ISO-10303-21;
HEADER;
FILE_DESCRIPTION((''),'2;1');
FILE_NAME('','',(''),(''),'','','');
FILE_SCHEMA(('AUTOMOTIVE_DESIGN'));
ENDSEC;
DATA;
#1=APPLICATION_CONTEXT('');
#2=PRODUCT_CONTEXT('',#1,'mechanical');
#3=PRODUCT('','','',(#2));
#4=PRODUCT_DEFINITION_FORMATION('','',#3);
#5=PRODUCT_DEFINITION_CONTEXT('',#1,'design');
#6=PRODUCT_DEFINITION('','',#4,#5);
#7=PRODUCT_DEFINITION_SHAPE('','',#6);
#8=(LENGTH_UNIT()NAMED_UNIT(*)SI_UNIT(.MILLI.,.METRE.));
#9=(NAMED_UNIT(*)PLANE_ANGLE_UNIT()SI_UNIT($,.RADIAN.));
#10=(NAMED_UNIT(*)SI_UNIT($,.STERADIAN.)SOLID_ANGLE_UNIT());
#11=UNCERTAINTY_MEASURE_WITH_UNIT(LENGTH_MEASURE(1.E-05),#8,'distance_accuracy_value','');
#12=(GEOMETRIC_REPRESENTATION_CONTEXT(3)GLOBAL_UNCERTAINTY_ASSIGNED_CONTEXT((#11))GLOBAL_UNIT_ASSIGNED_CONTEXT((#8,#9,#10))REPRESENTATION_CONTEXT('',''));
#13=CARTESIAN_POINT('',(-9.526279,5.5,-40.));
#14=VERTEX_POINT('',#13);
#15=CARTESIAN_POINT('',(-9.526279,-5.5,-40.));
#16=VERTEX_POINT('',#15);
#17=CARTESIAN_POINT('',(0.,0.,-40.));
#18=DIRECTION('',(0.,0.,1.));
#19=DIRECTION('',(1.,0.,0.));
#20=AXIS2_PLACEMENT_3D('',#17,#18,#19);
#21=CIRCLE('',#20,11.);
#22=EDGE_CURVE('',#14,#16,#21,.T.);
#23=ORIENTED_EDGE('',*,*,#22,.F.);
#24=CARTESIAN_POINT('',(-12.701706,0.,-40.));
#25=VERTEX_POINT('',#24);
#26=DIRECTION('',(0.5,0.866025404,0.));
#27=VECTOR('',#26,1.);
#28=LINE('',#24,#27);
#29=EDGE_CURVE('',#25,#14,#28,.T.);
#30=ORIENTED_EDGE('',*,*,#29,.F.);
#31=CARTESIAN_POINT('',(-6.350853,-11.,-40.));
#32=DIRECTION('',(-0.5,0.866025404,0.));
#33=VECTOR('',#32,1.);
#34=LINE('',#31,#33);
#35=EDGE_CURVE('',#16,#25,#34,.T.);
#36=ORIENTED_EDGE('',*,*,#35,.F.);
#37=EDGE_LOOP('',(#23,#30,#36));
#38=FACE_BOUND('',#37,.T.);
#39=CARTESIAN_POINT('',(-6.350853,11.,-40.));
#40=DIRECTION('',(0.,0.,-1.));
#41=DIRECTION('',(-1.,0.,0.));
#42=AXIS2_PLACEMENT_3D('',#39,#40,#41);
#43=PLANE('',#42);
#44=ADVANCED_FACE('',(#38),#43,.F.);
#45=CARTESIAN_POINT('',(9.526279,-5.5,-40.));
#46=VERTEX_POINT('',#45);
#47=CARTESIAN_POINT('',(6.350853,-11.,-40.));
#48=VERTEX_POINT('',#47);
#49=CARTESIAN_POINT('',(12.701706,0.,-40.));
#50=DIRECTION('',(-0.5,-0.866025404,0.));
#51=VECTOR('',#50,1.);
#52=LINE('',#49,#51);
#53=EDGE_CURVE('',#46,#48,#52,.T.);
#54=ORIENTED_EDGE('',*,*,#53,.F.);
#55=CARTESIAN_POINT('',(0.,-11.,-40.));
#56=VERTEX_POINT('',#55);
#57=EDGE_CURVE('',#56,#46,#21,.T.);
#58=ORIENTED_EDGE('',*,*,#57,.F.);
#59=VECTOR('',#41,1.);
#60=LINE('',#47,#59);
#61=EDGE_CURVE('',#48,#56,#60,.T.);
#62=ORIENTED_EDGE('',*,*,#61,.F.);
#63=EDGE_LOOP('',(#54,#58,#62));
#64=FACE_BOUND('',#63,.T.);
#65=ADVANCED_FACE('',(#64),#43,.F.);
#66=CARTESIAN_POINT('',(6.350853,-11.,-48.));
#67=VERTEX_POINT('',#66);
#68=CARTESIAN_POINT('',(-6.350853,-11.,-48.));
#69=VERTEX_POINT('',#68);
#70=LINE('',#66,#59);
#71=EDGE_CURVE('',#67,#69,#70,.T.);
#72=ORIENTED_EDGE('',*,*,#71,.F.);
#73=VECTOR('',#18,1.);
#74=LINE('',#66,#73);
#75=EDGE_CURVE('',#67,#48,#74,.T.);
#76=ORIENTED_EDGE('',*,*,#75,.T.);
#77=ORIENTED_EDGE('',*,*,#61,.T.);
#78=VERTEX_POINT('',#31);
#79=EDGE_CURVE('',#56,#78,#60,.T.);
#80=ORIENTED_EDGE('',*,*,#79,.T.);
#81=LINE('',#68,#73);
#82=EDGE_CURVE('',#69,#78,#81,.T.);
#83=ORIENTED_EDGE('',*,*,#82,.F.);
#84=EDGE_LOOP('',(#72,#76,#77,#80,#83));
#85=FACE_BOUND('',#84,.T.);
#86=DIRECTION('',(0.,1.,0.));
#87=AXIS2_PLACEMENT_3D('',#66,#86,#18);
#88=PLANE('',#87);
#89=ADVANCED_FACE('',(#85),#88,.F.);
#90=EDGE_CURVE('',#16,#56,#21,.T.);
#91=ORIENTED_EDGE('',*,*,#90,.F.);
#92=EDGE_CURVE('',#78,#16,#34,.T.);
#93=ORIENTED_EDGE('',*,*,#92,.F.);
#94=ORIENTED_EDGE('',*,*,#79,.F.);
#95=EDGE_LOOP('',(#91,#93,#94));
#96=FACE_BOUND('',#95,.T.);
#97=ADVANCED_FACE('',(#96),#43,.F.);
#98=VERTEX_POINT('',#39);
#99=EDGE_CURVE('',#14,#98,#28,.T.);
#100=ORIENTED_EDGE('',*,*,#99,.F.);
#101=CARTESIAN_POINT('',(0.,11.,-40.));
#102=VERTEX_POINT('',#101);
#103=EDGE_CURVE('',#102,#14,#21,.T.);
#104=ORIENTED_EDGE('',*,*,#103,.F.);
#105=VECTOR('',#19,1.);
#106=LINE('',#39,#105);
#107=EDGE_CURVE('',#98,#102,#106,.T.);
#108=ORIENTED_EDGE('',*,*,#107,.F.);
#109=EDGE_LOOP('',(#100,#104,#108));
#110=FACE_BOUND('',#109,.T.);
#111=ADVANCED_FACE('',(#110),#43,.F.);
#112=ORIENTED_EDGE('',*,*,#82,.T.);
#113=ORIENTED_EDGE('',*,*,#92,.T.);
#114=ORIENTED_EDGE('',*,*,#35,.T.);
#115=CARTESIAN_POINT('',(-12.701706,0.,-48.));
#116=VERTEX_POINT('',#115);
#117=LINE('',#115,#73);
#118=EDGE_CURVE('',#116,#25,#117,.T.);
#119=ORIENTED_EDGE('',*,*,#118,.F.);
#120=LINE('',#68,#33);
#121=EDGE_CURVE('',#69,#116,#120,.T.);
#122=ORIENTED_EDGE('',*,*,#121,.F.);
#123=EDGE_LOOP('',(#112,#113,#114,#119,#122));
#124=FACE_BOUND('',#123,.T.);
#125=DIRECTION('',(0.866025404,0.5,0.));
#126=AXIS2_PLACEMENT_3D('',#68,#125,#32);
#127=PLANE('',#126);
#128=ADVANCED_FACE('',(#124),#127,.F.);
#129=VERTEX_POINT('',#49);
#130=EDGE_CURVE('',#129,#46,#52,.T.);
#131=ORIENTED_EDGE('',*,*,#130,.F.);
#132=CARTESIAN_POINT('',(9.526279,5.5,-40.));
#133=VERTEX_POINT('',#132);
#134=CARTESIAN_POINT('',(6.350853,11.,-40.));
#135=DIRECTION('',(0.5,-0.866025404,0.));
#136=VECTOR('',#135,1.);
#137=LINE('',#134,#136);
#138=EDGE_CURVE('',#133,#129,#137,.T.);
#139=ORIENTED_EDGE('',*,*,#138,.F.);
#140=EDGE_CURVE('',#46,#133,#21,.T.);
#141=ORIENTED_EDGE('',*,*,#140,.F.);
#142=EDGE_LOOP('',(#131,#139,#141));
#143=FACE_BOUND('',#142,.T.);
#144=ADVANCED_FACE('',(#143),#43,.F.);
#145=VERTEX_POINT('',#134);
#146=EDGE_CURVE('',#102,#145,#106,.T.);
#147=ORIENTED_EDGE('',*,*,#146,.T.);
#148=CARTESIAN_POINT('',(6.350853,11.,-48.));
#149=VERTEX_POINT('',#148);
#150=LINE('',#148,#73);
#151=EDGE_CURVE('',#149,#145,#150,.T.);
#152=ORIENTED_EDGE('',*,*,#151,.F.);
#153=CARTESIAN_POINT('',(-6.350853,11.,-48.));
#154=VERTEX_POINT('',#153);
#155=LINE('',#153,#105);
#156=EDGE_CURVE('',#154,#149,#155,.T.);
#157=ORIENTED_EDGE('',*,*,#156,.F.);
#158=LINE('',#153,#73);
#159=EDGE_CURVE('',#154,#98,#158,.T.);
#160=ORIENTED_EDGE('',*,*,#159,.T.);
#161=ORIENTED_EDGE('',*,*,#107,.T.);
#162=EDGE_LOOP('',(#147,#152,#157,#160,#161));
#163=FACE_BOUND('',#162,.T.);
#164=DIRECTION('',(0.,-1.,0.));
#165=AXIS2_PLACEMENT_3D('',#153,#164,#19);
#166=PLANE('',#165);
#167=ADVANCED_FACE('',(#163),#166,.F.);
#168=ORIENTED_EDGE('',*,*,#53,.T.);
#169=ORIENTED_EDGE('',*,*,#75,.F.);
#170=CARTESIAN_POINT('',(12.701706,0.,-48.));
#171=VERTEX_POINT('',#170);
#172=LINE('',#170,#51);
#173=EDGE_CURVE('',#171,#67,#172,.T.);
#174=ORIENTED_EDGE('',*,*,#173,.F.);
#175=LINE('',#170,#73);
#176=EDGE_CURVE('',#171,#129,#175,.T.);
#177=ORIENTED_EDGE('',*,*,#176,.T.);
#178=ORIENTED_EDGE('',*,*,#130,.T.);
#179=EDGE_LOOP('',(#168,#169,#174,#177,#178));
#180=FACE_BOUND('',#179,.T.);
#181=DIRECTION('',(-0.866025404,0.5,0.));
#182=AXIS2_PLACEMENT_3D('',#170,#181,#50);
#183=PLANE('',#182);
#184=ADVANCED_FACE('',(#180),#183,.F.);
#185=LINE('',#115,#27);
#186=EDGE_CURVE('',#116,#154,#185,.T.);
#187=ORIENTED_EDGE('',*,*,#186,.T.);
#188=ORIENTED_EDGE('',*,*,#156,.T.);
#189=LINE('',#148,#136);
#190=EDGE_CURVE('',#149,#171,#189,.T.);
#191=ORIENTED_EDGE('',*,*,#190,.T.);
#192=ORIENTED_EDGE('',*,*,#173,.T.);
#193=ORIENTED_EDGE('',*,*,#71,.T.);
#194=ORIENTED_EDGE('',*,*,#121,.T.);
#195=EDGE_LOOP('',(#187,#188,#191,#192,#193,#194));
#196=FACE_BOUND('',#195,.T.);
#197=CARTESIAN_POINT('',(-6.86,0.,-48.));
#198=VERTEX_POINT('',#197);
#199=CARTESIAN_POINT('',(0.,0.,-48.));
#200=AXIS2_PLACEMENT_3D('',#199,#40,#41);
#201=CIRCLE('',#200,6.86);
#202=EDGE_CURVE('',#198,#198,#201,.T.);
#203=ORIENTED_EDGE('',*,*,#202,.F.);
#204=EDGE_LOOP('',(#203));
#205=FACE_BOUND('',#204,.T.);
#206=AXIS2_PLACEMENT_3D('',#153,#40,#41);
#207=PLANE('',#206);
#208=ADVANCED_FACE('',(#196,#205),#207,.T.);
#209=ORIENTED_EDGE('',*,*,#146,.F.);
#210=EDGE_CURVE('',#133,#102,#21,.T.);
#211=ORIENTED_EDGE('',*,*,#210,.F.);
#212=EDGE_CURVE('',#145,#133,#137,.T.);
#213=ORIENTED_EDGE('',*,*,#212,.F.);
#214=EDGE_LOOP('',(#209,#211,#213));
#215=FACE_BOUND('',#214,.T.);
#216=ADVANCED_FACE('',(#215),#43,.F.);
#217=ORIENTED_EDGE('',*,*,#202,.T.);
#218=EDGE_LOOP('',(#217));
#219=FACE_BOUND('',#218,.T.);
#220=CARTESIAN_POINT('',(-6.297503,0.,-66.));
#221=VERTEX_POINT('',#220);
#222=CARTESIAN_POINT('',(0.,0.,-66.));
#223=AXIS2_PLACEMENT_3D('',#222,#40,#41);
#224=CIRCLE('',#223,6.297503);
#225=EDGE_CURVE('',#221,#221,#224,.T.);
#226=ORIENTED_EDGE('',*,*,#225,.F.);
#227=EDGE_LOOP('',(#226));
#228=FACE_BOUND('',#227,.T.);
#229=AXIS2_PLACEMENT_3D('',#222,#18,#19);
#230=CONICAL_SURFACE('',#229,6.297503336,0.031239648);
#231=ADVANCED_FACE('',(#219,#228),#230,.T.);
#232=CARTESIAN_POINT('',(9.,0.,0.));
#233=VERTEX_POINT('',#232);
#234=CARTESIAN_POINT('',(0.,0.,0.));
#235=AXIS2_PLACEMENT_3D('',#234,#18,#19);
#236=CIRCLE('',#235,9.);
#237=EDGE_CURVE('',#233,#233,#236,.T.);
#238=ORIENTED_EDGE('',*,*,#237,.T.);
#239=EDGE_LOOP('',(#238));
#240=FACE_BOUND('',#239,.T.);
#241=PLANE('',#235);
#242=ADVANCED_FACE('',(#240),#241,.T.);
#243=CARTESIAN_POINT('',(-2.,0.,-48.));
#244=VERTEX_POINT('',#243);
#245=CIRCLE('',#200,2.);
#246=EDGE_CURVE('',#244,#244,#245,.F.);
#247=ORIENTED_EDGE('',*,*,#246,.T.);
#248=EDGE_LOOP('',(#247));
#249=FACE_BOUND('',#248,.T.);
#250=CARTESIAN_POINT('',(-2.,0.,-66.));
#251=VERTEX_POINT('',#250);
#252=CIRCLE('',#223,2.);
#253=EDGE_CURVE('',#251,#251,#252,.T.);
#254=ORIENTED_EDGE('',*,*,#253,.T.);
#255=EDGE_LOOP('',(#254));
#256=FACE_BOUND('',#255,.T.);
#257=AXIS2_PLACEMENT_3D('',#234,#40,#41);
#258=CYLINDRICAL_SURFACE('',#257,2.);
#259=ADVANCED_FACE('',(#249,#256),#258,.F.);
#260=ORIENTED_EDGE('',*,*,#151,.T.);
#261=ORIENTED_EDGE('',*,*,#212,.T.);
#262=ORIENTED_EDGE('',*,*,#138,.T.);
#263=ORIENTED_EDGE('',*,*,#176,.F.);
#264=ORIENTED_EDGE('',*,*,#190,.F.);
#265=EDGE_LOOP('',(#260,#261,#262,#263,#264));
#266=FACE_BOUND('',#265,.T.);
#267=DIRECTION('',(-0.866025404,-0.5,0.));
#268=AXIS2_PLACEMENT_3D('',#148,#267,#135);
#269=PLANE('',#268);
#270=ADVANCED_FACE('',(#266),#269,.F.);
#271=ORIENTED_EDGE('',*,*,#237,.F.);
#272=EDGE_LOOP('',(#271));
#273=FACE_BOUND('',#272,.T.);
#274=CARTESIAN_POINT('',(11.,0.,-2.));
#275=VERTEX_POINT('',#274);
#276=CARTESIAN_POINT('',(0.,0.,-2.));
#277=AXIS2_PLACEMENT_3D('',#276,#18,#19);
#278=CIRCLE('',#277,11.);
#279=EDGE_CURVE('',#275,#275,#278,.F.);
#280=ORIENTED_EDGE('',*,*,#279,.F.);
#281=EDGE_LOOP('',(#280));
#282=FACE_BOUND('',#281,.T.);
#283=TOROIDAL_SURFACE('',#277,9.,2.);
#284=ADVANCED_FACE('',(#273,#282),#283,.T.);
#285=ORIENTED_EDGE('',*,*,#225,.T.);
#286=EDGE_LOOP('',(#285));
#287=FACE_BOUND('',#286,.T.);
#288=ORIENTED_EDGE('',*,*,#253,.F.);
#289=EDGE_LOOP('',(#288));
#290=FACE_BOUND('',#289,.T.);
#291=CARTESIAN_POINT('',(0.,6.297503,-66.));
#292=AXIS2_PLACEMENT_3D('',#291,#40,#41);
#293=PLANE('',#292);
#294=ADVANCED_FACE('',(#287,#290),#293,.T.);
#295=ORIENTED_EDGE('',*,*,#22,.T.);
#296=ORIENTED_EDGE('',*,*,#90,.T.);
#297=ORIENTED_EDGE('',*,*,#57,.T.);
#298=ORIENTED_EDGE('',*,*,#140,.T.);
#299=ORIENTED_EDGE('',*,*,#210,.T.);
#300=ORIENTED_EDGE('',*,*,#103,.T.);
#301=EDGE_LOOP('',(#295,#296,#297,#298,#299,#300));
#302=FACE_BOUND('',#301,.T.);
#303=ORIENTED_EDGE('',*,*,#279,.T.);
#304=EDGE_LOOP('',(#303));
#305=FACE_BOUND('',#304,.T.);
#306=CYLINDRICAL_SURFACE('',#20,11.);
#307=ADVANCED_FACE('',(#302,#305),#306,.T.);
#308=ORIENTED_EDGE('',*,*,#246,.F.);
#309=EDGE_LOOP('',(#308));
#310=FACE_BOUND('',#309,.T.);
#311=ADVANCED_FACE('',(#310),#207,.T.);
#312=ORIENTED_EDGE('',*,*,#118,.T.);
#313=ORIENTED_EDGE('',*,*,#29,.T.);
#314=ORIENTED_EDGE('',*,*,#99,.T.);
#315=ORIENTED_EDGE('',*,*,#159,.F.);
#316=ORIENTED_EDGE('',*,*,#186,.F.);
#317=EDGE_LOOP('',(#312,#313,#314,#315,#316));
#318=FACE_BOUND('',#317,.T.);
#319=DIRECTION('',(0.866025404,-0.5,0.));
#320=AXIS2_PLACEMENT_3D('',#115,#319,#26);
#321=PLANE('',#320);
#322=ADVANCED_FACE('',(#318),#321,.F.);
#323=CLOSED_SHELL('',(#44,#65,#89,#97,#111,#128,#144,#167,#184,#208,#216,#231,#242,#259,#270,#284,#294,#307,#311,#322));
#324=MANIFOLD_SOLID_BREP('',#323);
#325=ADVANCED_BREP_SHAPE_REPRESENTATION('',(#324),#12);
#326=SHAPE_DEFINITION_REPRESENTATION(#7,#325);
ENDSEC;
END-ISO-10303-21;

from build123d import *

# Parameters (mm, degrees)
SKETCH1_R           = 11
BOSS_EXTRUDE1_DEPTH = 40
BOSS_EXTRUDE2_DEPTH = 8
FILLET1_R           = 2


with BuildPart() as part:
    # Sketch1 → Boss-Extrude1 (new body)
    with BuildSketch(Plane.XY):
        Circle(SKETCH1_R)
    extrude(amount=-BOSS_EXTRUDE1_DEPTH)

    # Sketch2 → Boss-Extrude2 (add)
    with BuildSketch(Plane(origin=(0, 0, -40), x_dir=(-1, 0, 0), z_dir=(0, 0, -1))):
        Polygon((6.350852961, 11), (-6.350852961, 11), (-12.701705922, 0), (-6.350852961, -11), (6.350852961, -11), (12.701705922, 0), align=None)
    extrude(amount=BOSS_EXTRUDE2_DEPTH)

    # Sketch6 → Revolve1 (revolve)
    with BuildSketch(Plane(origin=(0, 0, 0), x_dir=(0, 0, -1), z_dir=(1, 0, 0)), mode=Mode.PRIVATE) as revolve1_sk:
        Polygon((48, 6.86), (66, 6.297503336), (66, 2), (48, 2), align=None)
    revolve(revolve1_sk.sketch.rotate(Axis((0, 0, 0), (0, 0, 1)), 90), axis=Axis((0, 0, 0), (0, 0, 1)))

    # Fillet1
    fillet1_edges = [part.edges().sort_by_distance(p)[0] for p in [
        (-11, 0, 0),
    ]]
    fillet(fillet1_edges, radius=FILLET1_R)


solid = part.part
